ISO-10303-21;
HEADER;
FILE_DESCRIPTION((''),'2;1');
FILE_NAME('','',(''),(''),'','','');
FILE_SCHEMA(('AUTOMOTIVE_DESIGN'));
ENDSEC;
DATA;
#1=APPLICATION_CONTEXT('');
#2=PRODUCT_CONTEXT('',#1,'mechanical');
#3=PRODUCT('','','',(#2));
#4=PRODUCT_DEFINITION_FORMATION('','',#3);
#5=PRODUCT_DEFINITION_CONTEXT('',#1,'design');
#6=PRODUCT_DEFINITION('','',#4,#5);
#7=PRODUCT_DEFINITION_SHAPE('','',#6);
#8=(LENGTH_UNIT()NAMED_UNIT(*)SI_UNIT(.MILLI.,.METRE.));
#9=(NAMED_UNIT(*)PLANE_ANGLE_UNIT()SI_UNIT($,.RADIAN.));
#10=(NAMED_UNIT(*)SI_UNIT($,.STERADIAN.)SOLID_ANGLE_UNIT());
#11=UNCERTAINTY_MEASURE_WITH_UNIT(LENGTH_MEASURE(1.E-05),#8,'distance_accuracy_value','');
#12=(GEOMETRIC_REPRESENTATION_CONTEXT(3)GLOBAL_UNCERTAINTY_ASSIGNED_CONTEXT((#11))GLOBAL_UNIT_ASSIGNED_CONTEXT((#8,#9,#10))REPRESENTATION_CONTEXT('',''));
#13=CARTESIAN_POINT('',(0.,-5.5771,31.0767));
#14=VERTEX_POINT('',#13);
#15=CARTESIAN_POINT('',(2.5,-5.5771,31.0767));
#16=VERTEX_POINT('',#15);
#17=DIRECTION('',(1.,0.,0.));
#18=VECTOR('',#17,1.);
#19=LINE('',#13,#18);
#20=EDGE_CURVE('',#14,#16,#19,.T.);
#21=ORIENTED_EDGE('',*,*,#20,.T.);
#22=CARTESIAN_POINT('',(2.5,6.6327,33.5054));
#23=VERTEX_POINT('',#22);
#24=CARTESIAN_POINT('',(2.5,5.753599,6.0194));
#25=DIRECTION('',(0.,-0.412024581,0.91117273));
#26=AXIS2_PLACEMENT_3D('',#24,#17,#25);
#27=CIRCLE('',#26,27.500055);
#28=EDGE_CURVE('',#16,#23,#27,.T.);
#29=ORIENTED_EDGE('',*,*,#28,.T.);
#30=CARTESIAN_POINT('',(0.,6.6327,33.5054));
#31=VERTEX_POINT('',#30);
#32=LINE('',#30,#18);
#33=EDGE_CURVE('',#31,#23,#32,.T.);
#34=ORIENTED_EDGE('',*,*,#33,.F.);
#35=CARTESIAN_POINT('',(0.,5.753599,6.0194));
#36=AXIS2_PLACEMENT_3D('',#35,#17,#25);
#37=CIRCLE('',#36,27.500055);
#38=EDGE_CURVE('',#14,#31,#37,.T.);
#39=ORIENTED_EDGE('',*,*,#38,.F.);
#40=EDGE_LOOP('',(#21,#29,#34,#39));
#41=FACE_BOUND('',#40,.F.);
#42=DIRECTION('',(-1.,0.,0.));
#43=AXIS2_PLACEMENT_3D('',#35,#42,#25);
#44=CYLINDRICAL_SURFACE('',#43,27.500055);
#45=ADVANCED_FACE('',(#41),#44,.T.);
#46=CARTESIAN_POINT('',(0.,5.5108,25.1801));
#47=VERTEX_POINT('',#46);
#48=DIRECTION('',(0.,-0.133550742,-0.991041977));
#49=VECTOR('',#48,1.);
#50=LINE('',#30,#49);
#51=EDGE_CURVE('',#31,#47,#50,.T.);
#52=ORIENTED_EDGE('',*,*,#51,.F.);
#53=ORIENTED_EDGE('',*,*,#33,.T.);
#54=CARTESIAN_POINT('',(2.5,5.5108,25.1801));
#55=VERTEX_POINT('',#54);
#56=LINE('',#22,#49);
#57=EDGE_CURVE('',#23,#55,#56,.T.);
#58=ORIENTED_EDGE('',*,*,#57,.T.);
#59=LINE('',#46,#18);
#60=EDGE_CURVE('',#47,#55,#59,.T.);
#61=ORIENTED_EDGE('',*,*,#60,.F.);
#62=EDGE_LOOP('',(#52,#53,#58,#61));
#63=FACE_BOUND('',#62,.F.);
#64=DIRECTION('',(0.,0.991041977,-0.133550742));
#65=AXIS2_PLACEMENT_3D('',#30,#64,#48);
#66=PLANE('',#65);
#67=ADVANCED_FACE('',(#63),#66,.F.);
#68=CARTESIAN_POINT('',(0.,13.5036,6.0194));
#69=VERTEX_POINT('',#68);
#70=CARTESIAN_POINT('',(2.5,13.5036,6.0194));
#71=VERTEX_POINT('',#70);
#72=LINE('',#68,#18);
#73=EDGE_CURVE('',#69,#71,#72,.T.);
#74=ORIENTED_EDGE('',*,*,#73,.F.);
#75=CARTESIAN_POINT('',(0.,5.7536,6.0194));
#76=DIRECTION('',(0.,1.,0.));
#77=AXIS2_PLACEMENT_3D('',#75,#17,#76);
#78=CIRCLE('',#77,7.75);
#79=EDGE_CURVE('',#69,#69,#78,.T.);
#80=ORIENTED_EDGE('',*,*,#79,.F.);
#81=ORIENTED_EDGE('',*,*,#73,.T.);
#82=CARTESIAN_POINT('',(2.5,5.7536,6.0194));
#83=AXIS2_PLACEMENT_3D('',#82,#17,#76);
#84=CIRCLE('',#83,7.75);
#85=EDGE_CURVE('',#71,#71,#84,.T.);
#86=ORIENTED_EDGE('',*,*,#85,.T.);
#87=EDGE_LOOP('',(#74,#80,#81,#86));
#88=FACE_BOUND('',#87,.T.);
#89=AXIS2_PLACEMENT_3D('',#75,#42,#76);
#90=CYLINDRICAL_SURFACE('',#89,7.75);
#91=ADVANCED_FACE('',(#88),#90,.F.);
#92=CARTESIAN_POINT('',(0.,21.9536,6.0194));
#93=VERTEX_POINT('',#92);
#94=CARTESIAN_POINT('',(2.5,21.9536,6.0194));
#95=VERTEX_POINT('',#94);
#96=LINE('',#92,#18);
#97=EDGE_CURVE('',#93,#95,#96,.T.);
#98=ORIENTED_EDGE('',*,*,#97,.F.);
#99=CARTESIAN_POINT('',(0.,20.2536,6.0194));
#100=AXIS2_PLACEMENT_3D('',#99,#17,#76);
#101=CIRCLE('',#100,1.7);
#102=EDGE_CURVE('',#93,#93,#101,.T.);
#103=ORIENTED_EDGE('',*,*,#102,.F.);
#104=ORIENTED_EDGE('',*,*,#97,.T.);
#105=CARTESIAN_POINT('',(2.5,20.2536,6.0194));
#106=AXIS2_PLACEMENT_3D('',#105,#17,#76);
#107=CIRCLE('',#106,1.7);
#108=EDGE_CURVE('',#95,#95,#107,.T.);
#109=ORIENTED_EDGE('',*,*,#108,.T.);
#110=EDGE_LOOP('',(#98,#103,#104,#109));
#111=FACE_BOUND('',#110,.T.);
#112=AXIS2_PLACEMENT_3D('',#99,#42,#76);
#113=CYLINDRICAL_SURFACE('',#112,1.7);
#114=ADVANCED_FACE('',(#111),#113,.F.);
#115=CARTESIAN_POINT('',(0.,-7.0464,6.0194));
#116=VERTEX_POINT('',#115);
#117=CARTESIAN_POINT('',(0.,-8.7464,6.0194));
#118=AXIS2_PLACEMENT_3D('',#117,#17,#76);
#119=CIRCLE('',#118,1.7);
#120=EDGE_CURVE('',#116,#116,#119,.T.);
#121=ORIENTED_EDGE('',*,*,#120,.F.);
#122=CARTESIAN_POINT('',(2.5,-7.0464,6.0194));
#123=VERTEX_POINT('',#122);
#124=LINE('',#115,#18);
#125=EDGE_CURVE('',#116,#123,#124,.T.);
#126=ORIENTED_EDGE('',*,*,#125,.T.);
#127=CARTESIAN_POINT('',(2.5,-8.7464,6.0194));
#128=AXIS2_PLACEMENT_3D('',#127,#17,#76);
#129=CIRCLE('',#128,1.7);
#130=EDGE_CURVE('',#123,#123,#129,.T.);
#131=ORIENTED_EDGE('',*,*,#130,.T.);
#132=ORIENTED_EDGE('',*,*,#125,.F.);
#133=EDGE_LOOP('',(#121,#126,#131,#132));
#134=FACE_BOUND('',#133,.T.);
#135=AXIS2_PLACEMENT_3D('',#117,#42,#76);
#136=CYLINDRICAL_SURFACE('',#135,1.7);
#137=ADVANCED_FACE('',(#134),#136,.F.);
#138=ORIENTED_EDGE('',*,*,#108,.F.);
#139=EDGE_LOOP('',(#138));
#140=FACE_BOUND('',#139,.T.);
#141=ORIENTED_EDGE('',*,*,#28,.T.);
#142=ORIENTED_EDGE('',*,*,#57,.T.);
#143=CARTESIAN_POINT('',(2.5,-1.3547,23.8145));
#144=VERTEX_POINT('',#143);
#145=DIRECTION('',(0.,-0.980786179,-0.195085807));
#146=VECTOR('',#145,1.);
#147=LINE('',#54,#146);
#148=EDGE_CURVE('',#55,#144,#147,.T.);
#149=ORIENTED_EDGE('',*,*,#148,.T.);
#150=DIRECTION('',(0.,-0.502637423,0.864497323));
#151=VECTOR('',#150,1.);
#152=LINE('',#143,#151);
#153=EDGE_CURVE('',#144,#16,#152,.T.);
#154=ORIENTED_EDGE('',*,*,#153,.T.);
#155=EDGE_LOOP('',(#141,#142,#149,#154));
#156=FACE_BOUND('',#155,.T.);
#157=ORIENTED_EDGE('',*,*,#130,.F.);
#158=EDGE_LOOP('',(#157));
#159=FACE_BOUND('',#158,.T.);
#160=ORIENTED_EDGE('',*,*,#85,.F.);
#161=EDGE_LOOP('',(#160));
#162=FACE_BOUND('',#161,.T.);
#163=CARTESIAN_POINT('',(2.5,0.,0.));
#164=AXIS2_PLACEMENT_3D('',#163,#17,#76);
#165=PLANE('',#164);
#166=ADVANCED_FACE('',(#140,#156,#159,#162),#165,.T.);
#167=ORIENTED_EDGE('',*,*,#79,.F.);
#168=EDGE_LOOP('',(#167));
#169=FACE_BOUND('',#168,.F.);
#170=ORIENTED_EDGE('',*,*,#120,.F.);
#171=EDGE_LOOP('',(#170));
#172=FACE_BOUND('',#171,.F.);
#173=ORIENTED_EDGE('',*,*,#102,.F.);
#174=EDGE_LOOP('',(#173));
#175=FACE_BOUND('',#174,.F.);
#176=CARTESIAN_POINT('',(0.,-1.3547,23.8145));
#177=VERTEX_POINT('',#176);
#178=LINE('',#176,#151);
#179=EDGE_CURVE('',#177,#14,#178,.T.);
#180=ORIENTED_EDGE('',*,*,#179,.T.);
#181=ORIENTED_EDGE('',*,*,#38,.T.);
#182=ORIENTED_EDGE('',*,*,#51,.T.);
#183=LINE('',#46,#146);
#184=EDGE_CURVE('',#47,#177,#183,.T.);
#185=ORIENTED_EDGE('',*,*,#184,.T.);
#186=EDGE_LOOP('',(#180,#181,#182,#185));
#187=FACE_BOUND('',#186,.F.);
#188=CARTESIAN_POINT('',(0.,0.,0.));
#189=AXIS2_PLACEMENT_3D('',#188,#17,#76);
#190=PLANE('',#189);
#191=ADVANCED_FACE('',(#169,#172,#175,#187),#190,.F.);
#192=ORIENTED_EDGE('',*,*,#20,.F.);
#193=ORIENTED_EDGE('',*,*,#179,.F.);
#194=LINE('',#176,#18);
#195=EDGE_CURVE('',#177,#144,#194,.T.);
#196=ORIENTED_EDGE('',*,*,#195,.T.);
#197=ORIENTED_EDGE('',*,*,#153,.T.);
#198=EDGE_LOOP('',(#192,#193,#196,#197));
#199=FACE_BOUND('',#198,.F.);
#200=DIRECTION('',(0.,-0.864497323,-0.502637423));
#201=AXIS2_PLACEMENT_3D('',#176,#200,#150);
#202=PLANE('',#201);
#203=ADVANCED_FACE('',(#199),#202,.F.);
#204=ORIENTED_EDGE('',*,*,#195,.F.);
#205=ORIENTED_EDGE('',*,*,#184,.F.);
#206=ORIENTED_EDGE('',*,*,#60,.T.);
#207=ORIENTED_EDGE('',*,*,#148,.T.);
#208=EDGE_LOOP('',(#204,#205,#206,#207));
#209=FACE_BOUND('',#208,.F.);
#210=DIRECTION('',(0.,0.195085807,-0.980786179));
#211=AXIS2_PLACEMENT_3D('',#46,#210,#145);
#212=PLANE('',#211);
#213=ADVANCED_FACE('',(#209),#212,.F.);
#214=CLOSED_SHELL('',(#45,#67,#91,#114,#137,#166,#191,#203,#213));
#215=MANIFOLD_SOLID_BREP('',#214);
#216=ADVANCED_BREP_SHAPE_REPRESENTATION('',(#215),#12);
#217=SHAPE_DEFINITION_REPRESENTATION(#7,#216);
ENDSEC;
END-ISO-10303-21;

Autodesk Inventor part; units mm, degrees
ref_plane "YZ Plane" through (0, 0, 0) normal (1, 0, 0) x (0, 1, 0)
ref_plane "XZ Plane" through (0, 0, 0) normal (0, 1, 0) x (-1, 0, 0)
ref_plane "XY Plane" through (0, 0, 0) normal (0, 0, 1) x (1, 0, 0)
sketch "スケッチ3" plane through (0, 0, 0) normal (1, 0, 0) x (0, 1, 0)
  circle A0 centre (20.2536, 6.0194) radius 1.7
  circle A1 centre (-8.7464, 6.0194) radius 1.7
  line L0 (-1.3547, 23.8145) -> (-5.5771, 31.0767)
  arc A2 (-5.5771, 31.0767) -> (6.6327, 33.5054) centre (5.7536, 6.0194) ccw
  line L1 (6.6327, 33.5054) -> (5.5108, 25.1801)
  line L2 (5.5108, 25.1801) -> (-1.3547, 23.8145)
  circle A3 centre (5.7536, 6.0194) radius 7.75
  point P0 (0, 0)
extrude "押し出し3" add sketch "スケッチ3" along normal blind 2.5
properties part number "belt_liner_v1_3DP_P_F-2" material "ABS プラスチック"
